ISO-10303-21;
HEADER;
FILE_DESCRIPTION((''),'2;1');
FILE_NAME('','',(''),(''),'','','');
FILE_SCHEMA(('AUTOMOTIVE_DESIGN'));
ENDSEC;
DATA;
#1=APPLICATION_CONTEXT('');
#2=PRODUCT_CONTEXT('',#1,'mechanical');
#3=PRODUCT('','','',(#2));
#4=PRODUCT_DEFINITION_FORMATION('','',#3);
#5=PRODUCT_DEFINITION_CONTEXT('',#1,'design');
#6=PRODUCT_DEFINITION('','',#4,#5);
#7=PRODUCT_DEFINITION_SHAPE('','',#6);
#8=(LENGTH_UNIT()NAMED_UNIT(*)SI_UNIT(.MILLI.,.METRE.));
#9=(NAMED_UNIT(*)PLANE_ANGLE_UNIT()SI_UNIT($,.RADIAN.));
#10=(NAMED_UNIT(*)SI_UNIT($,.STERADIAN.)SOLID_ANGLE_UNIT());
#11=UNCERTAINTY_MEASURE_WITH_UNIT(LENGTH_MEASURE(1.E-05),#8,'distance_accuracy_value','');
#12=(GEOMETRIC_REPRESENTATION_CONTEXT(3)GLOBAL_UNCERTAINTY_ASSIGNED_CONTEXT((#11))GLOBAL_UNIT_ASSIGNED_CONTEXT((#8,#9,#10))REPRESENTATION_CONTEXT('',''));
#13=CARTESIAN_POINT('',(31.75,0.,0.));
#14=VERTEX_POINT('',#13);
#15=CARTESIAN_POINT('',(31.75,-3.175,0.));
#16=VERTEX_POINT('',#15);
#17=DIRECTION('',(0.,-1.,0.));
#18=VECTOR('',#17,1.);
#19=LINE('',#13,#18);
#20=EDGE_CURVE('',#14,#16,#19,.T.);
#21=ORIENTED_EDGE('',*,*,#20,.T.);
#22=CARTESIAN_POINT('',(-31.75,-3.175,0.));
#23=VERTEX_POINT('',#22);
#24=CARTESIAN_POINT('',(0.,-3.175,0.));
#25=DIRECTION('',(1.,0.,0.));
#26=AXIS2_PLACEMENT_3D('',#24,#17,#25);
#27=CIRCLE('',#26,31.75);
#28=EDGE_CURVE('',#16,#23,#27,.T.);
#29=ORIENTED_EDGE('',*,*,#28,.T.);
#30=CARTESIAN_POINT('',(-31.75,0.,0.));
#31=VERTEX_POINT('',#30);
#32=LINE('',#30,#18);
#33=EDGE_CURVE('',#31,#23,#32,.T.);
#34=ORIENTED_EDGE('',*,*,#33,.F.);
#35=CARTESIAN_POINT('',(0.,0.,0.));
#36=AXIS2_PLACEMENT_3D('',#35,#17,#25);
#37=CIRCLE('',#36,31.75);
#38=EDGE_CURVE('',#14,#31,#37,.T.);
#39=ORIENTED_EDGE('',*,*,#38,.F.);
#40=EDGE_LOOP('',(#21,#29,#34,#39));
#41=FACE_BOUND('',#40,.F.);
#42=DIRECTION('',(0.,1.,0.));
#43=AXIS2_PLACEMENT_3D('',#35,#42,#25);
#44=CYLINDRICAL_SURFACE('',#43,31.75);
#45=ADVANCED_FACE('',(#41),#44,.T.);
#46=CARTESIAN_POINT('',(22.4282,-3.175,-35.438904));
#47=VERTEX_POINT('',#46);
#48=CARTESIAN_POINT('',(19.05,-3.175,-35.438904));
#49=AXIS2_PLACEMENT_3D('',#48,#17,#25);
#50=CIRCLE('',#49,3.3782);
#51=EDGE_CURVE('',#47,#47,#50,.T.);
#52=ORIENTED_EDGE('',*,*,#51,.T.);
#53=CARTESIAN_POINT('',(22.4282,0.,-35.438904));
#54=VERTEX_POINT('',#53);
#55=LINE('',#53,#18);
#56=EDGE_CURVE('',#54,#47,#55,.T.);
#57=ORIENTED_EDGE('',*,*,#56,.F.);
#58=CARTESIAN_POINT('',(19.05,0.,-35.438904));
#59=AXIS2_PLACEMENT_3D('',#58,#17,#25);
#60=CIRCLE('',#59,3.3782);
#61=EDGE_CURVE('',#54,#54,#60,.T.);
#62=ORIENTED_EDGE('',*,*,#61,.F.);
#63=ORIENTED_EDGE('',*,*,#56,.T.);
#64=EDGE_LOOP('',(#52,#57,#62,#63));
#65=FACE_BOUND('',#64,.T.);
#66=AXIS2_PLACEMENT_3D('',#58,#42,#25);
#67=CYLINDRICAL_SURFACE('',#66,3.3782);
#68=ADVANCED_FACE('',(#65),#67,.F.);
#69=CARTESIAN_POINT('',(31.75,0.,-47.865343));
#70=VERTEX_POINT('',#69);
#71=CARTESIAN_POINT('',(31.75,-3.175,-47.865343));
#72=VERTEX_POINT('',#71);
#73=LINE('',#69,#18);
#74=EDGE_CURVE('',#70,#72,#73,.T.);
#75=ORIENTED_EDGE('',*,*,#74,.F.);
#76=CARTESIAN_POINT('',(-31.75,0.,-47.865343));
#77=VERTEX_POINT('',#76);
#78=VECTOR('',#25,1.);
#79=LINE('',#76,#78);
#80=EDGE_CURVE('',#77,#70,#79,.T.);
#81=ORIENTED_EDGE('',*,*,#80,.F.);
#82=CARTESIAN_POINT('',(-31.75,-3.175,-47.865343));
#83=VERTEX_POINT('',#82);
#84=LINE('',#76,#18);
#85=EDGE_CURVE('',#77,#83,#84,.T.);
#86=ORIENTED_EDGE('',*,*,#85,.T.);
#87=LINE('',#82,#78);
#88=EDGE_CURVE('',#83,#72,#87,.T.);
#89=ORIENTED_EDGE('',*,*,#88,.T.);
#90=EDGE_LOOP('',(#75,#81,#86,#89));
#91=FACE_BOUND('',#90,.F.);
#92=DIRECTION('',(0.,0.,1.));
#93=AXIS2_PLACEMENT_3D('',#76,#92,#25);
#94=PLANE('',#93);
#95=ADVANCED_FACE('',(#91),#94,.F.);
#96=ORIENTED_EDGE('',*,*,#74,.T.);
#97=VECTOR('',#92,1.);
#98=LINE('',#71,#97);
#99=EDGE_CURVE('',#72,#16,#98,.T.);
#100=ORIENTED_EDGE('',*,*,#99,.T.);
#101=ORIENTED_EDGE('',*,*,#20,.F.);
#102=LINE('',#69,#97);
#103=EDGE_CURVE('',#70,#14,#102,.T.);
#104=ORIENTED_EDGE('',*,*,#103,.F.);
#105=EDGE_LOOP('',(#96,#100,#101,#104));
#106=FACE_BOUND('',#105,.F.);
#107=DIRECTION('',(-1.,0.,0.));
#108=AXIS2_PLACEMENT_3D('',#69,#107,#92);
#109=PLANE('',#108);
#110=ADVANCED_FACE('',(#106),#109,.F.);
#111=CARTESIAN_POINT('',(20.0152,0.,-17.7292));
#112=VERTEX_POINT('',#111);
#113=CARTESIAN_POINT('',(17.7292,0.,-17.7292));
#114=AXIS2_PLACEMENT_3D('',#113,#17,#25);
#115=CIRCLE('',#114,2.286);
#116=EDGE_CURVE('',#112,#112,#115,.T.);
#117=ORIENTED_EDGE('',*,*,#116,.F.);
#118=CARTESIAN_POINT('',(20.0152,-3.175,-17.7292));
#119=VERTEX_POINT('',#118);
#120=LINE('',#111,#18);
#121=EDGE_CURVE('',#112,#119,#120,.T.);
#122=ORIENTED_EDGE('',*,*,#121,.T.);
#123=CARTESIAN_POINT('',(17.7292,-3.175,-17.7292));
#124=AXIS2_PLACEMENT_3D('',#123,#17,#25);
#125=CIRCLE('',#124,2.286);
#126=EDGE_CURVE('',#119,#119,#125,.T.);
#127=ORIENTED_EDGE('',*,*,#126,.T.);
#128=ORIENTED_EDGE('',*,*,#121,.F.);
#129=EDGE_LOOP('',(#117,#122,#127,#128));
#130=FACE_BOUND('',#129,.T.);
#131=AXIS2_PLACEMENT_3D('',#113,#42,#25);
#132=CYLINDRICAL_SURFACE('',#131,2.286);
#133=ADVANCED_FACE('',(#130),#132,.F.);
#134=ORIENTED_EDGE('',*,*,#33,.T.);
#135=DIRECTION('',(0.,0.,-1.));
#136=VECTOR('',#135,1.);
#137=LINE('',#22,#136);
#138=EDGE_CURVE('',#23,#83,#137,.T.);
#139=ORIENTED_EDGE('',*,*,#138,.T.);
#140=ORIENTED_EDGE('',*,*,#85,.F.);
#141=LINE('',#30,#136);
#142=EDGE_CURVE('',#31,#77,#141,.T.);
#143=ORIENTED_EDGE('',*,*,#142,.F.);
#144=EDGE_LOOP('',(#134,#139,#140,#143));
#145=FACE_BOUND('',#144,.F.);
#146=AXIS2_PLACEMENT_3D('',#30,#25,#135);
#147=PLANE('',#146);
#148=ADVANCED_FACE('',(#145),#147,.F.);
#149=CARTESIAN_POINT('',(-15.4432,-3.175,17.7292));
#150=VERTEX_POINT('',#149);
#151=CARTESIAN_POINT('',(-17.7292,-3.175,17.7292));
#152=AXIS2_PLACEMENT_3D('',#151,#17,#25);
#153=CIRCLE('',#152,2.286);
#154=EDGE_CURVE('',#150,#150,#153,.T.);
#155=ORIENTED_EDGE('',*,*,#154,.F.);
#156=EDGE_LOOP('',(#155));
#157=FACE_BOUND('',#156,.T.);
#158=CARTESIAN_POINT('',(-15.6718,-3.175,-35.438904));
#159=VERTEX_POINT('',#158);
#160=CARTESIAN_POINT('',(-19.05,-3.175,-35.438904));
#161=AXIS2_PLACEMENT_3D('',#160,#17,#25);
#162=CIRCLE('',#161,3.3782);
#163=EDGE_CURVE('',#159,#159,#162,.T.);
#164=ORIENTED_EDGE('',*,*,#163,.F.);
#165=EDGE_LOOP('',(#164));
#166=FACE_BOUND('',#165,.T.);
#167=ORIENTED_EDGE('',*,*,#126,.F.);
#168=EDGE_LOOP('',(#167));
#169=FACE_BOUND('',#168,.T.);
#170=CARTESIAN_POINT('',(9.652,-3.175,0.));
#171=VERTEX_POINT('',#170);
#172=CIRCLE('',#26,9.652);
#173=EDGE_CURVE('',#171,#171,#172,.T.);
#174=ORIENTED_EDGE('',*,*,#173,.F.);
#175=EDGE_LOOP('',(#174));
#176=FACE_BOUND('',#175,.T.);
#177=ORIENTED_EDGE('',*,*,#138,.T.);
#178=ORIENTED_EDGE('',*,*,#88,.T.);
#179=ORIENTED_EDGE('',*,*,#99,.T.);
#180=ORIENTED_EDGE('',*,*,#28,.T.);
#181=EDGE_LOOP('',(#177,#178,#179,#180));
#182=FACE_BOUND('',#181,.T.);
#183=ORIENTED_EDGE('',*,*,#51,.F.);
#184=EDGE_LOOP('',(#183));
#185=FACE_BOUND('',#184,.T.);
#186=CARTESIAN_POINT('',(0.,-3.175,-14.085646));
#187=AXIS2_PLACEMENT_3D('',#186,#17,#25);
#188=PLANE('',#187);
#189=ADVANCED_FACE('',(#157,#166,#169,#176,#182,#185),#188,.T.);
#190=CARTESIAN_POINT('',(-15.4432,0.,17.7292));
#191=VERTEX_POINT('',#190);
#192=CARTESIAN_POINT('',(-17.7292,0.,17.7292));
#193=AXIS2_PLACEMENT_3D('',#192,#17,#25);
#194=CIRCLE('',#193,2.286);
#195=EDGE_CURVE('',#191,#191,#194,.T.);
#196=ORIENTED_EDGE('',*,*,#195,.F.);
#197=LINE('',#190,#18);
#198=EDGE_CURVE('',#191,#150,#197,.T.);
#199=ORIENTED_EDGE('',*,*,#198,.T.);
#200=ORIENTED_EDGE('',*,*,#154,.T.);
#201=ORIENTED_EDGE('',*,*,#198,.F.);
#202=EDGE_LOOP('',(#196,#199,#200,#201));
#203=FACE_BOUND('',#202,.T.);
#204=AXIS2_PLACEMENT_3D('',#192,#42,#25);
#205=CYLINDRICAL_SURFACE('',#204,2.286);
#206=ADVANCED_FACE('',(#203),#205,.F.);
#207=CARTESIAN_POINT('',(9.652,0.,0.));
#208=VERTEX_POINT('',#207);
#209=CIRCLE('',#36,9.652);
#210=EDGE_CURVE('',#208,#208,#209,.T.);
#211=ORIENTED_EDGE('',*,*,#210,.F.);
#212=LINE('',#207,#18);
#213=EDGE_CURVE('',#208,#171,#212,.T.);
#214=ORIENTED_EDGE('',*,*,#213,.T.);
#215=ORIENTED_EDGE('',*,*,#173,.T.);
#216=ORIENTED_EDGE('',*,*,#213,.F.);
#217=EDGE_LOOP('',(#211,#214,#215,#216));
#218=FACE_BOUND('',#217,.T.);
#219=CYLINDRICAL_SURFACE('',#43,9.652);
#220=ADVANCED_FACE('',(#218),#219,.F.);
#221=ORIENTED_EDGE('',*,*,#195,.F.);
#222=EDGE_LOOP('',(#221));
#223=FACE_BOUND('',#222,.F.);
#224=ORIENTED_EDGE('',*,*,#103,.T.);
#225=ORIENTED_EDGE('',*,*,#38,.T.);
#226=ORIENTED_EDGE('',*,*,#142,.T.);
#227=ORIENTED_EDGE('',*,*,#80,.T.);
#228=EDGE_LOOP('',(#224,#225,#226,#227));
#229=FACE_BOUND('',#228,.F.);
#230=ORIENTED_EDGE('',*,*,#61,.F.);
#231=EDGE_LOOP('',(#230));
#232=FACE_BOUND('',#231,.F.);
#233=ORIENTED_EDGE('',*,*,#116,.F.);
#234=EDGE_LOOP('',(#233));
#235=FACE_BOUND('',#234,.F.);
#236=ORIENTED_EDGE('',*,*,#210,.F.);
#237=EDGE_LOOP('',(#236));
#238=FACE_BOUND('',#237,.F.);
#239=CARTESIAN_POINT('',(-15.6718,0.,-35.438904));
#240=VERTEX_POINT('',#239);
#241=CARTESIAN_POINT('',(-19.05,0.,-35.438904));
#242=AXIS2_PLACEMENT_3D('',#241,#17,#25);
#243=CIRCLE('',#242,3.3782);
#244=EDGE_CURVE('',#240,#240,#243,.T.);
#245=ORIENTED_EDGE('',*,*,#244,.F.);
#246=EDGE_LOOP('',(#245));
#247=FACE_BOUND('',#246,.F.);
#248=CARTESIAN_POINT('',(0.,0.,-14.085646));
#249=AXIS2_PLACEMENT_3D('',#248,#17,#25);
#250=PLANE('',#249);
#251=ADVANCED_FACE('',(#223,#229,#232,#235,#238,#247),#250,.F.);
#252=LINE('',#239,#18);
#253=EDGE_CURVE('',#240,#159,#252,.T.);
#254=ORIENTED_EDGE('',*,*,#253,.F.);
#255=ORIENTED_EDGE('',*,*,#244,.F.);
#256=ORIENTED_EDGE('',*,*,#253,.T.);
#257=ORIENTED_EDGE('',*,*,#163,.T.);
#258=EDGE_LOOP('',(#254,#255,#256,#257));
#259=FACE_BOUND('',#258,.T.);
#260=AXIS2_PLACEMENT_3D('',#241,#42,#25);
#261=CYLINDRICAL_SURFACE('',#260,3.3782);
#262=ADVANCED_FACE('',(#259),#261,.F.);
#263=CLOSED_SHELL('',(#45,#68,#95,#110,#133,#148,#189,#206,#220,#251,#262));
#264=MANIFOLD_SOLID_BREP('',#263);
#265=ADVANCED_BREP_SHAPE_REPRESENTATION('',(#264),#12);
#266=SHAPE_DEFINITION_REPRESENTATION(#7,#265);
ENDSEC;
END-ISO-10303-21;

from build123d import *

# Parameters (mm, degrees)
F0_R     = 3.3782
F0_R_2   = 2.286
F0_R_3   = 9.652
F1_DEPTH = 3.175


with BuildPart() as f1:
    # F0 (on Front) → F1 (new body)
    with BuildSketch(Plane.XZ):
        with BuildLine():
            Line((31.75, -15.634657), (31.75, 0))
            ThreePointArc((31.75, 0), (0, 31.75), (-31.75, 0))
            Line((-31.75, 0), (-31.75, -15.634657))
            Line((-31.75, -15.634657), (-31.75, -47.865343))
            Line((-31.75, -47.865343), (31.75, -47.865343))
            Line((31.75, -47.865343), (31.75, -15.634657))
        make_face()
        with Locations((-19.05, -35.438904)):
            Circle(F0_R, mode=Mode.SUBTRACT)
        with Locations((19.05, -35.438904)):
            Circle(F0_R, mode=Mode.SUBTRACT)
        with Locations((17.7292, -17.7292)):
            Circle(F0_R_2, mode=Mode.SUBTRACT)
        with Locations((-17.7292, 17.7292)):
            Circle(F0_R_2, mode=Mode.SUBTRACT)
        Circle(F0_R_3, mode=Mode.SUBTRACT)
    extrude(amount=F1_DEPTH)


solid = f1.part
